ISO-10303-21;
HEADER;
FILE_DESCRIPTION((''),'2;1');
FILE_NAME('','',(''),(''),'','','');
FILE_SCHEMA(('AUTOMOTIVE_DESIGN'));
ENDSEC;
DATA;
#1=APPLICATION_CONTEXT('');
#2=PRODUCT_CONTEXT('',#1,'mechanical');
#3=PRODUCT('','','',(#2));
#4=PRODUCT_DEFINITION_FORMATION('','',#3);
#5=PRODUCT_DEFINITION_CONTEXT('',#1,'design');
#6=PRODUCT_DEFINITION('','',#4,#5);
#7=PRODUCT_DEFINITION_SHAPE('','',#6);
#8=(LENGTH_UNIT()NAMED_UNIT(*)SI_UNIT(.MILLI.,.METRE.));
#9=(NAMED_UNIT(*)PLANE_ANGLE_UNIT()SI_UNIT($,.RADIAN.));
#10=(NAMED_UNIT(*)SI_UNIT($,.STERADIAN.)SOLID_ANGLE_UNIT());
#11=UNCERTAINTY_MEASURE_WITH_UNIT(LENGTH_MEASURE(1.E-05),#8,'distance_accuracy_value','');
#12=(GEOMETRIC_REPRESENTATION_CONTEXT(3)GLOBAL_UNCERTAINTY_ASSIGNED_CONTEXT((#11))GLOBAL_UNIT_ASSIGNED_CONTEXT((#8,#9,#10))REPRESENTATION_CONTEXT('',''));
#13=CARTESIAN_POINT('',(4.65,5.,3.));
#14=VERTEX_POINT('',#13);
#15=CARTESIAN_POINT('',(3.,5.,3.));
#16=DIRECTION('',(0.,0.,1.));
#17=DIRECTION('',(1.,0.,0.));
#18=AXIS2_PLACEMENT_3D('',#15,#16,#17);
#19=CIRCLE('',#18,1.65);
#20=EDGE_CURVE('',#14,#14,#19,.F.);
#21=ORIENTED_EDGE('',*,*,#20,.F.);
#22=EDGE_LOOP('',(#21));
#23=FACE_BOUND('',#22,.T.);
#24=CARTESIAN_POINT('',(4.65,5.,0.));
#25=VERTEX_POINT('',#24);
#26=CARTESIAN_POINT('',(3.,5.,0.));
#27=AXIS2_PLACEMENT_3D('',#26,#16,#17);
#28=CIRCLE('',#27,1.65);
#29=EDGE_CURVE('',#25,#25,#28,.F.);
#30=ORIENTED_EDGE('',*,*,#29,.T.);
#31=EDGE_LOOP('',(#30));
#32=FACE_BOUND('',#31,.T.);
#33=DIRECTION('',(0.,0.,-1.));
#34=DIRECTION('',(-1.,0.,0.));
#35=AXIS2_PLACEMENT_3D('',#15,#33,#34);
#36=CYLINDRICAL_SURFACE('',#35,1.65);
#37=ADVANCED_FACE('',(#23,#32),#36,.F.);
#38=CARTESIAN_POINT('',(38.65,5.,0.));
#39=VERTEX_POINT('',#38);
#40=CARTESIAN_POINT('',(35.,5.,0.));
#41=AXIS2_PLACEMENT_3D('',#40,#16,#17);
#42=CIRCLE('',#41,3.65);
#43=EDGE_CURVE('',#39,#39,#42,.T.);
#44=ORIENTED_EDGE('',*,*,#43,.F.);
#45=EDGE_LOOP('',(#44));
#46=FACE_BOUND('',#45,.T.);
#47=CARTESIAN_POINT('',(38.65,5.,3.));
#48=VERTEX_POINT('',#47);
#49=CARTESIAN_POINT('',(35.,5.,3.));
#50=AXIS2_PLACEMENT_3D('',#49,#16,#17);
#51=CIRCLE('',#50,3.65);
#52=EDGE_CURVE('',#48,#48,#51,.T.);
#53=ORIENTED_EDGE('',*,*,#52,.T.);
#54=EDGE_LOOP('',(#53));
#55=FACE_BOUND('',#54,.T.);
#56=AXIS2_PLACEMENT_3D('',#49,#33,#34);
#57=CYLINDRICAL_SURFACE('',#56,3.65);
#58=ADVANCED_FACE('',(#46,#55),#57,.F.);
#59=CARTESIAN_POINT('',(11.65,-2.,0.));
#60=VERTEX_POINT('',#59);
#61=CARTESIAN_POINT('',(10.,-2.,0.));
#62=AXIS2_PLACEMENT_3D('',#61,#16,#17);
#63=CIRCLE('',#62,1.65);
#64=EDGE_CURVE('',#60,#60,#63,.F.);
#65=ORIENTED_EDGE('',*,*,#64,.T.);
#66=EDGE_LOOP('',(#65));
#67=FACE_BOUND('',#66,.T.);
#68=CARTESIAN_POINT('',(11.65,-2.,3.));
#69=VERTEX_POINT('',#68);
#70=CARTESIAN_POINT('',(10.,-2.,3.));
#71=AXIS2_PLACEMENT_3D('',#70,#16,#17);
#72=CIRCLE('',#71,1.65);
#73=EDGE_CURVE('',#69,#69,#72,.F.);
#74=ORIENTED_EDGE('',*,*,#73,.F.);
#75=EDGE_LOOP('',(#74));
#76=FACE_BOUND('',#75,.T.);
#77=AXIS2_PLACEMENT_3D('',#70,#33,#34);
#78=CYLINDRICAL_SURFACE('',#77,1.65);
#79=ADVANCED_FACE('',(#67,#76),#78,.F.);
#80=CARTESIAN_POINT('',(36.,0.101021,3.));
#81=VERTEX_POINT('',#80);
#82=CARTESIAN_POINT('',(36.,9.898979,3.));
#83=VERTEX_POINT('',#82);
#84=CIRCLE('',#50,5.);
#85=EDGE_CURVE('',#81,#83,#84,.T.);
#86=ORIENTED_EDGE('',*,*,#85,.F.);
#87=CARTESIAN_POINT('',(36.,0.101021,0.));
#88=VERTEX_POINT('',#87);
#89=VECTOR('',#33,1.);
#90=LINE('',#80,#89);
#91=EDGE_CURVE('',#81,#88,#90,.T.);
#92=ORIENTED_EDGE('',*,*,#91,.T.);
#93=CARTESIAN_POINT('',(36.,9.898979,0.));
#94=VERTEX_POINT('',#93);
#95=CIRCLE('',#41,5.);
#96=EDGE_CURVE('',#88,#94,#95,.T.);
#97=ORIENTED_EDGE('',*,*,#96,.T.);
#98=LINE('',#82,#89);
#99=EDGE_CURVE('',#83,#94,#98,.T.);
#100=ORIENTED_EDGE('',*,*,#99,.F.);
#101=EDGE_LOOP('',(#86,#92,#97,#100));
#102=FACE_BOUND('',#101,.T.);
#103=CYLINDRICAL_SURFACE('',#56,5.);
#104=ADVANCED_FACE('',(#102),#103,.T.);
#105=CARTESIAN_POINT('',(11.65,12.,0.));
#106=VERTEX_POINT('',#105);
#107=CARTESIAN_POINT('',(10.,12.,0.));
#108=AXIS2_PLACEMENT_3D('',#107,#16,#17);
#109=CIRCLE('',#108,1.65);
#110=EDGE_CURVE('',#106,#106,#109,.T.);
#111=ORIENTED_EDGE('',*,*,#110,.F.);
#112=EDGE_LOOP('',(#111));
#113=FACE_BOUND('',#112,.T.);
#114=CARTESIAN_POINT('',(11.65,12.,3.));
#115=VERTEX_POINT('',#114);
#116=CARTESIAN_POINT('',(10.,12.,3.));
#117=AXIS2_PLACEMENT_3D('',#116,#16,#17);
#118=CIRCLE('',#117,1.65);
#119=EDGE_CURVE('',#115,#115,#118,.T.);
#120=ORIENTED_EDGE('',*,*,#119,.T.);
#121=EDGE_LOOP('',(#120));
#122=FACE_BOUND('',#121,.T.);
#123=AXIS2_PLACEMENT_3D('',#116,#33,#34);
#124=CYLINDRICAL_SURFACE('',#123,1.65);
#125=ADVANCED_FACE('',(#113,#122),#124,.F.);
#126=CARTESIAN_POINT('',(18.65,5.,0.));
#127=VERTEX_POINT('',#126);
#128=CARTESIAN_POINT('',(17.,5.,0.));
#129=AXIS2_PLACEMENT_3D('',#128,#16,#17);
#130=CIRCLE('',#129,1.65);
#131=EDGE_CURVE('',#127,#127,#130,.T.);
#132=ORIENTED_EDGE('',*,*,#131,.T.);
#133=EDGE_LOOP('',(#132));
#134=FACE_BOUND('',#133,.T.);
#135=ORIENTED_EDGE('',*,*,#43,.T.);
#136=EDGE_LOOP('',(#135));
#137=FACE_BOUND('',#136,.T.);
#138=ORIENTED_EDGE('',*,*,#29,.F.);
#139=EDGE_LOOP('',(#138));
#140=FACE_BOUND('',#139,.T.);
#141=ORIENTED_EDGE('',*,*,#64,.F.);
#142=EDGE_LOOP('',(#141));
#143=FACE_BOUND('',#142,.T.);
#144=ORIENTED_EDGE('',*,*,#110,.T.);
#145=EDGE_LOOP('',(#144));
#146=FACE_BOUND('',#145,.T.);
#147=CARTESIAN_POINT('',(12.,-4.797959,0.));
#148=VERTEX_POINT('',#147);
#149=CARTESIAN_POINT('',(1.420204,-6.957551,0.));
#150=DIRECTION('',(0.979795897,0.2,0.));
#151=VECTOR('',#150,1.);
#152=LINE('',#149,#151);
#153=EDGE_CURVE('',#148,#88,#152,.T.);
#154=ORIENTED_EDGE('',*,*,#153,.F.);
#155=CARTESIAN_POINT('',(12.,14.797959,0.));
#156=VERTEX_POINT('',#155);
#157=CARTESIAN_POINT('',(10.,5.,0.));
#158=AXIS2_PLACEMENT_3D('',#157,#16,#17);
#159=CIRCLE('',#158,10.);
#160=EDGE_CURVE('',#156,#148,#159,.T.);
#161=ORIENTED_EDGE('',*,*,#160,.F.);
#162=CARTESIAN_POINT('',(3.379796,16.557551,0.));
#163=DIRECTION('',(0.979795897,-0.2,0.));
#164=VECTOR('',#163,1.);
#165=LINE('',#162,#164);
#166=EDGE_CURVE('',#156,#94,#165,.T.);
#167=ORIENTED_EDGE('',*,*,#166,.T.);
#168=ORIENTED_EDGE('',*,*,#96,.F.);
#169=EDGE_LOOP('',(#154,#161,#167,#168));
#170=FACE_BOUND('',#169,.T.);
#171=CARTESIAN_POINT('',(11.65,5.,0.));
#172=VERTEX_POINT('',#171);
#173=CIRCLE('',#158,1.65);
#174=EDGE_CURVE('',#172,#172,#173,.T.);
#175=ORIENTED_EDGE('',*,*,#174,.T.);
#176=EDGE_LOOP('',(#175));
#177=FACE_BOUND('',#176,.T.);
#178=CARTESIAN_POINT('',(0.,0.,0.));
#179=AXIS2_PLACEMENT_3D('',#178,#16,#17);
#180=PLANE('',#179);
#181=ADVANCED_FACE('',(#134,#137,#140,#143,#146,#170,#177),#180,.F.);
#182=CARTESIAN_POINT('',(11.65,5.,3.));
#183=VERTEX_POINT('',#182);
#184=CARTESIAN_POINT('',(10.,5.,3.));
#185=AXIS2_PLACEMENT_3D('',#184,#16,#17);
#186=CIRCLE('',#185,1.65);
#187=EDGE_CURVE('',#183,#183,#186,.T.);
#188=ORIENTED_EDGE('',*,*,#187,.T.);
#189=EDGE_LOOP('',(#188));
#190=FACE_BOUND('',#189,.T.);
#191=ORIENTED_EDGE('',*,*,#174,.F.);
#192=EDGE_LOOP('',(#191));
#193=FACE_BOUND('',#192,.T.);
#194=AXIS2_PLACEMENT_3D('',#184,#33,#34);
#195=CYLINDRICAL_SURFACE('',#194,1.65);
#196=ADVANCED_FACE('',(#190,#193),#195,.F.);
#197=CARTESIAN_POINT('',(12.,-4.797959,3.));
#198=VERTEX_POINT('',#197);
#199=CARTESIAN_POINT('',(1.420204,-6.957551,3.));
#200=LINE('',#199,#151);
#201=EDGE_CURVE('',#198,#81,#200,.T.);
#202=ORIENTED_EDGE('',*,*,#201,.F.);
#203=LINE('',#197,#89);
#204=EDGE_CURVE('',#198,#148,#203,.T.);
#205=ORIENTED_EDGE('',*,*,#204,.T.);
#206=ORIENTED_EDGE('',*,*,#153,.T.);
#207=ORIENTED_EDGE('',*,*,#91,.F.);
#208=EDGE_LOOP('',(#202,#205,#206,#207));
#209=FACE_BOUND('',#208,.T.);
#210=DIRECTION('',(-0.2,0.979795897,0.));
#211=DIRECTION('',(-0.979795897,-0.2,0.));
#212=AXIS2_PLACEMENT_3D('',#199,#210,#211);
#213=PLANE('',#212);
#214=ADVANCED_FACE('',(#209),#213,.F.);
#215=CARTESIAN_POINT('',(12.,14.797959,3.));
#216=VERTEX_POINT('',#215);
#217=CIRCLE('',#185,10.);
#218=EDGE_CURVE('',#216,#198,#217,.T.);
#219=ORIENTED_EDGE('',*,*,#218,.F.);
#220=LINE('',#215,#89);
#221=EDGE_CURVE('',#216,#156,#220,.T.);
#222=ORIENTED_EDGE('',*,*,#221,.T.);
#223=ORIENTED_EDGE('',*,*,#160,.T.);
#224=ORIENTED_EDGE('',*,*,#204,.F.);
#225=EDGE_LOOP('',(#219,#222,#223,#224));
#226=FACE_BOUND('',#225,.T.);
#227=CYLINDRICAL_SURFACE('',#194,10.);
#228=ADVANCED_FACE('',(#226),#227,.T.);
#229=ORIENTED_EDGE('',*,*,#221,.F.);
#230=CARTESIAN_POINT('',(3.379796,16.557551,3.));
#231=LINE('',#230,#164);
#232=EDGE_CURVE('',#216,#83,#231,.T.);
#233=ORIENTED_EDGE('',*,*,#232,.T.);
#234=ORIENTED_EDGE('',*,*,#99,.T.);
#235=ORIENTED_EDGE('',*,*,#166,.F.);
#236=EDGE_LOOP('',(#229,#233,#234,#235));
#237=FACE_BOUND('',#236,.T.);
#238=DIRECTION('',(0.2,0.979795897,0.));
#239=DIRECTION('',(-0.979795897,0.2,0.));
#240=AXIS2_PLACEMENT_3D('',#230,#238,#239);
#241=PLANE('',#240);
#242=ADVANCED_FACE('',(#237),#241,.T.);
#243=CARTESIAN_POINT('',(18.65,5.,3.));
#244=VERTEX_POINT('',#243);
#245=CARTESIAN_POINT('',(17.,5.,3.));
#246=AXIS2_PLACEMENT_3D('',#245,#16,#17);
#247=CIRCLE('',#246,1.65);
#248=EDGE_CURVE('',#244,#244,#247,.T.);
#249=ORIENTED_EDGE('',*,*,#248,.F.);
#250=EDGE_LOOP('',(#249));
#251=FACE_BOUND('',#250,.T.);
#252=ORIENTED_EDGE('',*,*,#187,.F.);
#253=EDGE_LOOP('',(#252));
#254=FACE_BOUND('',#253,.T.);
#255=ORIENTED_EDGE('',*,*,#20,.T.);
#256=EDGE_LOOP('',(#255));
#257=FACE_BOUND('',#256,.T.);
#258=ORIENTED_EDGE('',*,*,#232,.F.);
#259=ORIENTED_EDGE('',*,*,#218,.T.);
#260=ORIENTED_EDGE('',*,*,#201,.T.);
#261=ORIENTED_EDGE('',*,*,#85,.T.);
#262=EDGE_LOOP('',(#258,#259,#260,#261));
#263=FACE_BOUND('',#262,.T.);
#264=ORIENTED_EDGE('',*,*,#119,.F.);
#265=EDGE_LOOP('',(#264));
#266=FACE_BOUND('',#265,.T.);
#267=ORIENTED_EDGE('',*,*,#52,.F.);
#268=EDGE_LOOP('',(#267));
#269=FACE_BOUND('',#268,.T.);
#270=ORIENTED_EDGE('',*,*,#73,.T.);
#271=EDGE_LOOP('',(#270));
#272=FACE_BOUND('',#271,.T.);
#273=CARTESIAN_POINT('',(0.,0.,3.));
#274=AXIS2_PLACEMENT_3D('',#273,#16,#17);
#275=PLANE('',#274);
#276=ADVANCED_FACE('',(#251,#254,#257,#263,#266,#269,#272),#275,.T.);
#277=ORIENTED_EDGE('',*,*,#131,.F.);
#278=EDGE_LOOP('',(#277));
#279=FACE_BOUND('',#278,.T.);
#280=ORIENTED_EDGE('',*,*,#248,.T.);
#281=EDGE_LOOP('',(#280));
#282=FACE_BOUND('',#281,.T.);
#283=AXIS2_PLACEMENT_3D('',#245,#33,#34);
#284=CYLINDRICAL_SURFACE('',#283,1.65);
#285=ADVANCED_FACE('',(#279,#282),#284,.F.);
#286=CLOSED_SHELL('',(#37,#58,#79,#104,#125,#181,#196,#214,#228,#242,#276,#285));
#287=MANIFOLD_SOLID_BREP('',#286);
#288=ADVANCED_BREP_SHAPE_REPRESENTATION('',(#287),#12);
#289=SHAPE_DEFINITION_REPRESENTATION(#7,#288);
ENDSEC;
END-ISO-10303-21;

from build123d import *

# Parameters (mm, degrees)
SKETCH_1_R      = 1.65
SKETCH_1_R_2    = 3.65
EXTRUDE_1_DEPTH = 3


with BuildPart() as part:
    # 草图1 → 凸台-拉伸1 (new body)
    with BuildSketch(Plane.XY):
        with BuildLine():
            Line((35.999999862, 9.898979514), (11.999999983, 14.797958975))
            ThreePointArc((11.999999983, 14.797958975), (0, 5.00000007), (11.999999846, -4.797959003))
            Line((11.999999846, -4.797959003), (35.999999968, 0.101020508))
            ThreePointArc((35.999999968, 0.101020508), (40, 5.000000054), (35.999999862, 9.898979514))
        make_face()
        with Locations((10, -2)):
            Circle(SKETCH_1_R, mode=Mode.SUBTRACT)
        with Locations((3, 5)):
            Circle(SKETCH_1_R, mode=Mode.SUBTRACT)
        with Locations((10, 5)):
            Circle(SKETCH_1_R, mode=Mode.SUBTRACT)
        with Locations((17, 5)):
            Circle(SKETCH_1_R, mode=Mode.SUBTRACT)
        with Locations((10, 12)):
            Circle(SKETCH_1_R, mode=Mode.SUBTRACT)
        with Locations((35, 5)):
            Circle(SKETCH_1_R_2, mode=Mode.SUBTRACT)
    extrude(amount=EXTRUDE_1_DEPTH)


solid = part.part
